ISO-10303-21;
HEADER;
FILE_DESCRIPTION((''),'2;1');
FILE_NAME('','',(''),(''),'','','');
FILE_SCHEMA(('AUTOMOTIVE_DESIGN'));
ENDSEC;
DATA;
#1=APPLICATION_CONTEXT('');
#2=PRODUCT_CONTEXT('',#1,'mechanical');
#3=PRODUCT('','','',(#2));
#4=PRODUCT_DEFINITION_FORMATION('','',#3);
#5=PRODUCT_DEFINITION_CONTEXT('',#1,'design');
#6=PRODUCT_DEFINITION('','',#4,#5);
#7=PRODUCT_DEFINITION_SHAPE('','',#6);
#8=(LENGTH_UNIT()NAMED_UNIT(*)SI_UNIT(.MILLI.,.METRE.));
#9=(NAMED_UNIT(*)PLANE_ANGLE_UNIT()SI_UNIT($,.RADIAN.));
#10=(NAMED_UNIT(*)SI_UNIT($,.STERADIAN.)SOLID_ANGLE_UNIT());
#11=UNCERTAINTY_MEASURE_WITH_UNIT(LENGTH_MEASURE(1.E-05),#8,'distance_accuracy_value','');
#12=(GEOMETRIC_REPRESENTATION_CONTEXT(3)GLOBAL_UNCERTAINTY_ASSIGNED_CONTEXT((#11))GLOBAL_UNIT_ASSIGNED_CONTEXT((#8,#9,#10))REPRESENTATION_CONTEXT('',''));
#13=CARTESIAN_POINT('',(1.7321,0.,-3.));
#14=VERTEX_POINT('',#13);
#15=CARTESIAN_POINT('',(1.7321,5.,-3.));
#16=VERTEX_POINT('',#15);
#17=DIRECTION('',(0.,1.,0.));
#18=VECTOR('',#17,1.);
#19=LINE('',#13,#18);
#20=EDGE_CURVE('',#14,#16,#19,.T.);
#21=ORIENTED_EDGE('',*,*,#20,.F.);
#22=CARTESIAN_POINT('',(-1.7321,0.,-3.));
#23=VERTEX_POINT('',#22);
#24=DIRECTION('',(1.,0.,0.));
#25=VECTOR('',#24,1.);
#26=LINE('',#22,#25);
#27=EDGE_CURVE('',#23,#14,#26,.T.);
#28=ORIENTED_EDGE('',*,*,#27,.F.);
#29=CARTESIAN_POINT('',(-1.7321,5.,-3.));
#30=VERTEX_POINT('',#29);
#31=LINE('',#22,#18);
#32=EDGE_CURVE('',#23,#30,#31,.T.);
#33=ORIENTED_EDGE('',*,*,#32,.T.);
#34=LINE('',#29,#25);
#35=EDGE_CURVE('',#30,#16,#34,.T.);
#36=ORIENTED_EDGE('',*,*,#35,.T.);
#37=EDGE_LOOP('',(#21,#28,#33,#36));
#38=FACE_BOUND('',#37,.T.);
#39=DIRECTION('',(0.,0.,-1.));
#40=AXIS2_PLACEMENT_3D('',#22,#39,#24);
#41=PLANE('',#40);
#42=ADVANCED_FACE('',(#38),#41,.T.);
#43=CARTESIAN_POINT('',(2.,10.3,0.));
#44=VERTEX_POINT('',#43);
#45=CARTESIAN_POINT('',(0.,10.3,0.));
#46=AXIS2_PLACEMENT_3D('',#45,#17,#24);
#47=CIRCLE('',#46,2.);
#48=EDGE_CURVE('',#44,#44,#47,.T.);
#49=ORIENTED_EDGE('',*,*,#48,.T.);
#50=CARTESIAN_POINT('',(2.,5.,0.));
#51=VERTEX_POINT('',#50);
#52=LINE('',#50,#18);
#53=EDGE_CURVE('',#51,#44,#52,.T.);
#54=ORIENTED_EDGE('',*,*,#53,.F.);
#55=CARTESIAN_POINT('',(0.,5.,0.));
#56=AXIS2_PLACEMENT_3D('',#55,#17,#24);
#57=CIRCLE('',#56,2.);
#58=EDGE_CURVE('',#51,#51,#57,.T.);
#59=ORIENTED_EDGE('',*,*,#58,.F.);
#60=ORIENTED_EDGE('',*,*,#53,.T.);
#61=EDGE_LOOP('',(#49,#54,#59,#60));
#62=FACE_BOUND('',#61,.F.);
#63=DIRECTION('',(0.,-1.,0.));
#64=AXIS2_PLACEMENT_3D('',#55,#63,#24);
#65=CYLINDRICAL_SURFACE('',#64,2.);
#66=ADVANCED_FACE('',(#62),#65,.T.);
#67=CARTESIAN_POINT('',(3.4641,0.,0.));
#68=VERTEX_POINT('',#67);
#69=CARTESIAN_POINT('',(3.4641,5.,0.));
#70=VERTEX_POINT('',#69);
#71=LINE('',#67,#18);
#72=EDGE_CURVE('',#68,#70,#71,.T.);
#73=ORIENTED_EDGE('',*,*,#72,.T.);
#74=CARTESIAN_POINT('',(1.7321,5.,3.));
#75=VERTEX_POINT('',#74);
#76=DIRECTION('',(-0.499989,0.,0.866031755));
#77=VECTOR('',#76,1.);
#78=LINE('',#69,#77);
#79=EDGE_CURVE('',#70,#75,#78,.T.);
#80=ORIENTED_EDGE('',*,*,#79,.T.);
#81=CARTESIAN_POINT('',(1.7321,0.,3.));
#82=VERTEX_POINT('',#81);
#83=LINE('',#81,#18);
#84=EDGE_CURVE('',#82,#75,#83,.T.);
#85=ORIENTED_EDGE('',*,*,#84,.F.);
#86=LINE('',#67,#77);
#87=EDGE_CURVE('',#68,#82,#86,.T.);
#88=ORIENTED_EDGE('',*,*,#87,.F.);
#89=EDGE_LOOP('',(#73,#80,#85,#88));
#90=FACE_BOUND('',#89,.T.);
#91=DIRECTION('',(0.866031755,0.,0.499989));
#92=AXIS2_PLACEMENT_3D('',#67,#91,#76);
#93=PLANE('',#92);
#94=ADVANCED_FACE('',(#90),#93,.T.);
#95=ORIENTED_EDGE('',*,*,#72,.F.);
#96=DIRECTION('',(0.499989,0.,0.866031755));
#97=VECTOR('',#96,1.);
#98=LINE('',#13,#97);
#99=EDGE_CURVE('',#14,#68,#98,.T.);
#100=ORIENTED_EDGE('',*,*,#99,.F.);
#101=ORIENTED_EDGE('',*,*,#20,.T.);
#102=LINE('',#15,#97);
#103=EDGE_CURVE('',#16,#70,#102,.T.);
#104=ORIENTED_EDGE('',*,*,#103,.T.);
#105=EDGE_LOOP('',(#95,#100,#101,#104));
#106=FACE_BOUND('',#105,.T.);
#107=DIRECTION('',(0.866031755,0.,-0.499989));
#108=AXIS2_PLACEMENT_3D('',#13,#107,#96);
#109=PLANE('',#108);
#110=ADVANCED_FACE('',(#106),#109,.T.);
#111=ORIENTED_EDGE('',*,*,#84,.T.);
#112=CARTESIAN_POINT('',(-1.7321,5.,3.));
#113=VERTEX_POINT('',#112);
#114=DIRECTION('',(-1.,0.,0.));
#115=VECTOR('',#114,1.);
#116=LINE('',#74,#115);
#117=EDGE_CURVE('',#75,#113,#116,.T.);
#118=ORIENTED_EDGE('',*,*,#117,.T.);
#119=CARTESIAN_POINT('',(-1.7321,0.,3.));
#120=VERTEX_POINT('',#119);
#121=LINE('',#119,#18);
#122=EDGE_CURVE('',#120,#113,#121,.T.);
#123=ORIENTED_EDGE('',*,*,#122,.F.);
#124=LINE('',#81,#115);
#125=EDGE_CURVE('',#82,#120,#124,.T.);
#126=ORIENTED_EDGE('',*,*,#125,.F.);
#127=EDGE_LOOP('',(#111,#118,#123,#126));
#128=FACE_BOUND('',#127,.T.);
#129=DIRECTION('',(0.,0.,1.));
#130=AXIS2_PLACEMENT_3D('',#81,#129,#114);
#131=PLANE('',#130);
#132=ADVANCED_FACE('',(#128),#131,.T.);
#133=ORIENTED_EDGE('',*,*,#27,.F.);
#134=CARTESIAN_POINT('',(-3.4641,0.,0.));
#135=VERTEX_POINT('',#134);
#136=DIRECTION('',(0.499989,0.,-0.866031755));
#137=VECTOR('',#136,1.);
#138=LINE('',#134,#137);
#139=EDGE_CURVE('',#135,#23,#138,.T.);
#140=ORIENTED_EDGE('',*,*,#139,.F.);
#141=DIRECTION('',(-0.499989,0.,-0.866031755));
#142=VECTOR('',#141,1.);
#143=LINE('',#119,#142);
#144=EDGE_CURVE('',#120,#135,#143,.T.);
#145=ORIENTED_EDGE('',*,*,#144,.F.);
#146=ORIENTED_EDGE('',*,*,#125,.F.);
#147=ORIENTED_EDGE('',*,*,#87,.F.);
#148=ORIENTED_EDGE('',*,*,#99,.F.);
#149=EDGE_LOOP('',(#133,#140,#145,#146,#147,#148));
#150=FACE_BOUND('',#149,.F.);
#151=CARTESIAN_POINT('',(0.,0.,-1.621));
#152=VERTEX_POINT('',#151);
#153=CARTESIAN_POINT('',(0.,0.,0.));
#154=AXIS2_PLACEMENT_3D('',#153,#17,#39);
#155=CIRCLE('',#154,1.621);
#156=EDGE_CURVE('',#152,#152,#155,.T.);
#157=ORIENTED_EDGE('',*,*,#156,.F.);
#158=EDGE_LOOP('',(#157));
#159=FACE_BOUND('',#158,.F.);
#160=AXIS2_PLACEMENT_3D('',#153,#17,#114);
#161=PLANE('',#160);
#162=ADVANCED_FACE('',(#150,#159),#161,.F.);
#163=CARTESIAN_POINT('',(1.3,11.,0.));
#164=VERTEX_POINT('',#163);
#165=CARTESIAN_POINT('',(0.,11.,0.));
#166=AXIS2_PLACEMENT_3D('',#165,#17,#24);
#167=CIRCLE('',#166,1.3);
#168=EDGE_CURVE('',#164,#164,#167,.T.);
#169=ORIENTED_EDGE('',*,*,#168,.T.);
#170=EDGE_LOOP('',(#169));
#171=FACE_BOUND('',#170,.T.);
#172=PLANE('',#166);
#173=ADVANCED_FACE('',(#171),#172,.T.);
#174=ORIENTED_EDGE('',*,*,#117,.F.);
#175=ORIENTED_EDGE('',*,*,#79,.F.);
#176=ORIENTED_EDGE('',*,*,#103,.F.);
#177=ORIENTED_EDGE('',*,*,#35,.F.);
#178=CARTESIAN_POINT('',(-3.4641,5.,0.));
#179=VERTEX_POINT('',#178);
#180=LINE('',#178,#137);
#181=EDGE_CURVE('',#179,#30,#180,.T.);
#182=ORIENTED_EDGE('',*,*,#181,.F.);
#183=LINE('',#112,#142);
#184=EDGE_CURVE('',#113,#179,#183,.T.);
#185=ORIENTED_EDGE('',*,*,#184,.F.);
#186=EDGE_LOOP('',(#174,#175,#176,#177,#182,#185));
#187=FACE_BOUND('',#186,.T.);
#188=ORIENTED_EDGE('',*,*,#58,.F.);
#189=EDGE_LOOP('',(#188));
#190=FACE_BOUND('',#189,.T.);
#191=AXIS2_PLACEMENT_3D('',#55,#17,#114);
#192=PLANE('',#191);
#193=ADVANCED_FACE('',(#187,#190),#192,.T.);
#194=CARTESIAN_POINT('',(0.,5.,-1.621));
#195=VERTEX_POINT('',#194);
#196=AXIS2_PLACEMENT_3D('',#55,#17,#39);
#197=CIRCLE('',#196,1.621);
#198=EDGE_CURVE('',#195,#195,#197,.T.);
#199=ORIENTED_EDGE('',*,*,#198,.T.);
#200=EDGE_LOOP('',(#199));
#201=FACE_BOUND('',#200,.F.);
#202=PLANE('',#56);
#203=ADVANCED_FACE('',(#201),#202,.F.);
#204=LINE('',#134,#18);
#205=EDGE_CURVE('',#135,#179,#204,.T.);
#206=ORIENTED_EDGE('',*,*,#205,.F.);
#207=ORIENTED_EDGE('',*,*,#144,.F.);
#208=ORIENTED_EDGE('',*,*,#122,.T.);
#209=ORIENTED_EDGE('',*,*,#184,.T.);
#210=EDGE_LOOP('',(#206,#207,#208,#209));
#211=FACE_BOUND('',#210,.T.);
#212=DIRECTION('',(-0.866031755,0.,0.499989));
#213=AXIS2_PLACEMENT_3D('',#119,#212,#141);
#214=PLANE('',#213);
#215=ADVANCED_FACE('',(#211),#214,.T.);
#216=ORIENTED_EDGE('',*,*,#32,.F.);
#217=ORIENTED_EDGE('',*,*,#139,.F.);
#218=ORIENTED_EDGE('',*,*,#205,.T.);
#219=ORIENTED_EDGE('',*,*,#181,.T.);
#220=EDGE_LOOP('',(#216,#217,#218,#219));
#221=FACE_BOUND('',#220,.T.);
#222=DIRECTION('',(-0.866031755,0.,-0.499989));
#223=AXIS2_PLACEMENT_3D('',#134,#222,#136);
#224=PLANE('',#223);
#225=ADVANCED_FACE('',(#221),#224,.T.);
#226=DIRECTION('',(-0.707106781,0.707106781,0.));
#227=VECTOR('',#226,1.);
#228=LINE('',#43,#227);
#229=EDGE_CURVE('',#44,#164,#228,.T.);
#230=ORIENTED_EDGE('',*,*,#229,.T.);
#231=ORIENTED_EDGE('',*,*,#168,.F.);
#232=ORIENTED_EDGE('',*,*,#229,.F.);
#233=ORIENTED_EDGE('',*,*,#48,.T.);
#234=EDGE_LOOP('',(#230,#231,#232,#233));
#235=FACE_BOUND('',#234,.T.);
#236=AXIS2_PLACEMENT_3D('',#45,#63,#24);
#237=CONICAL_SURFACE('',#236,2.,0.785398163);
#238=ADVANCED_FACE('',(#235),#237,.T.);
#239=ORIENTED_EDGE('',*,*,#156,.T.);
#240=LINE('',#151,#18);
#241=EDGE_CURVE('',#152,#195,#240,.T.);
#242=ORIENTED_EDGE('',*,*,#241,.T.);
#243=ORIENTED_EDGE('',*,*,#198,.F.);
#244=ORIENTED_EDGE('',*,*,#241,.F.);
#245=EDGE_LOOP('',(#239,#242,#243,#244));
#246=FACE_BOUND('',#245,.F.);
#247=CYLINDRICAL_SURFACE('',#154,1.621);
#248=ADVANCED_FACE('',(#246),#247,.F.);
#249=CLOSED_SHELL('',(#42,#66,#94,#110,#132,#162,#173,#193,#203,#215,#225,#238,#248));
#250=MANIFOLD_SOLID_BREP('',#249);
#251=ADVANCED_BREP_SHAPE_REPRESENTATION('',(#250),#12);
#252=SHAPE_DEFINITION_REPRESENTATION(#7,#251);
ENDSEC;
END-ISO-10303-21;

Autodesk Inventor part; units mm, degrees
ref_plane "YZ Plane" through (0, 0, 0) normal (1, 0, 0) x (0, 1, 0)
ref_plane "XZ Plane" through (0, 0, 0) normal (0, 1, 0) x (-1, 0, 0)
ref_plane "XY Plane" through (0, 0, 0) normal (0, 0, 1) x (1, 0, 0)
sketch "Sketch1" plane through (0, 0, 0) normal (0, 1, 0) x (-1, 0, 0)
  line L0 (-1.7321, -3) -> (-3.4641, 0)
  line L1 (-3.4641, 0) -> (-1.7321, 3)
  line L2 (-1.7321, 3) -> (1.7321, 3)
  line L3 (1.7321, 3) -> (3.4641, 0)
  line L4 (3.4641, 0) -> (1.7321, -3)
  line L5 (1.7321, -3) -> (-1.7321, -3)
  point P0 (0, 0)
  point P1 (0, 0)
  point P2 (0, 0)
  dimension "d0" = 3
extrude "Extrusion1" add sketch "Sketch1" along normal blind 5
hole "Hole2" at (0, 0, 0) direction (0, 1, 0) diameter 3.242 depth 11.8 tip angle 118 thread size "M4x0.7" class "6H" standard "ISO Metric profile"
sketch "Sketch3" plane through (0, 5, 0) normal (0, 1, 0) x (1, 0, 0)
  circle A0 centre (0, 0) radius 2
  dimension "d17" = 4
extrude "Extrusion2" add sketch "Sketch3" along normal blind 6
thread "Thread1" size "M4x0.7" class "6g" standard "ANSI Metric M Profile" length 5
chamfer "Chamfer1" distance 0.7 angle 45 1 edges at (-2, 11, 0)
properties part number "StandoffM4x15B" material "Brass, Soft Yellow"
